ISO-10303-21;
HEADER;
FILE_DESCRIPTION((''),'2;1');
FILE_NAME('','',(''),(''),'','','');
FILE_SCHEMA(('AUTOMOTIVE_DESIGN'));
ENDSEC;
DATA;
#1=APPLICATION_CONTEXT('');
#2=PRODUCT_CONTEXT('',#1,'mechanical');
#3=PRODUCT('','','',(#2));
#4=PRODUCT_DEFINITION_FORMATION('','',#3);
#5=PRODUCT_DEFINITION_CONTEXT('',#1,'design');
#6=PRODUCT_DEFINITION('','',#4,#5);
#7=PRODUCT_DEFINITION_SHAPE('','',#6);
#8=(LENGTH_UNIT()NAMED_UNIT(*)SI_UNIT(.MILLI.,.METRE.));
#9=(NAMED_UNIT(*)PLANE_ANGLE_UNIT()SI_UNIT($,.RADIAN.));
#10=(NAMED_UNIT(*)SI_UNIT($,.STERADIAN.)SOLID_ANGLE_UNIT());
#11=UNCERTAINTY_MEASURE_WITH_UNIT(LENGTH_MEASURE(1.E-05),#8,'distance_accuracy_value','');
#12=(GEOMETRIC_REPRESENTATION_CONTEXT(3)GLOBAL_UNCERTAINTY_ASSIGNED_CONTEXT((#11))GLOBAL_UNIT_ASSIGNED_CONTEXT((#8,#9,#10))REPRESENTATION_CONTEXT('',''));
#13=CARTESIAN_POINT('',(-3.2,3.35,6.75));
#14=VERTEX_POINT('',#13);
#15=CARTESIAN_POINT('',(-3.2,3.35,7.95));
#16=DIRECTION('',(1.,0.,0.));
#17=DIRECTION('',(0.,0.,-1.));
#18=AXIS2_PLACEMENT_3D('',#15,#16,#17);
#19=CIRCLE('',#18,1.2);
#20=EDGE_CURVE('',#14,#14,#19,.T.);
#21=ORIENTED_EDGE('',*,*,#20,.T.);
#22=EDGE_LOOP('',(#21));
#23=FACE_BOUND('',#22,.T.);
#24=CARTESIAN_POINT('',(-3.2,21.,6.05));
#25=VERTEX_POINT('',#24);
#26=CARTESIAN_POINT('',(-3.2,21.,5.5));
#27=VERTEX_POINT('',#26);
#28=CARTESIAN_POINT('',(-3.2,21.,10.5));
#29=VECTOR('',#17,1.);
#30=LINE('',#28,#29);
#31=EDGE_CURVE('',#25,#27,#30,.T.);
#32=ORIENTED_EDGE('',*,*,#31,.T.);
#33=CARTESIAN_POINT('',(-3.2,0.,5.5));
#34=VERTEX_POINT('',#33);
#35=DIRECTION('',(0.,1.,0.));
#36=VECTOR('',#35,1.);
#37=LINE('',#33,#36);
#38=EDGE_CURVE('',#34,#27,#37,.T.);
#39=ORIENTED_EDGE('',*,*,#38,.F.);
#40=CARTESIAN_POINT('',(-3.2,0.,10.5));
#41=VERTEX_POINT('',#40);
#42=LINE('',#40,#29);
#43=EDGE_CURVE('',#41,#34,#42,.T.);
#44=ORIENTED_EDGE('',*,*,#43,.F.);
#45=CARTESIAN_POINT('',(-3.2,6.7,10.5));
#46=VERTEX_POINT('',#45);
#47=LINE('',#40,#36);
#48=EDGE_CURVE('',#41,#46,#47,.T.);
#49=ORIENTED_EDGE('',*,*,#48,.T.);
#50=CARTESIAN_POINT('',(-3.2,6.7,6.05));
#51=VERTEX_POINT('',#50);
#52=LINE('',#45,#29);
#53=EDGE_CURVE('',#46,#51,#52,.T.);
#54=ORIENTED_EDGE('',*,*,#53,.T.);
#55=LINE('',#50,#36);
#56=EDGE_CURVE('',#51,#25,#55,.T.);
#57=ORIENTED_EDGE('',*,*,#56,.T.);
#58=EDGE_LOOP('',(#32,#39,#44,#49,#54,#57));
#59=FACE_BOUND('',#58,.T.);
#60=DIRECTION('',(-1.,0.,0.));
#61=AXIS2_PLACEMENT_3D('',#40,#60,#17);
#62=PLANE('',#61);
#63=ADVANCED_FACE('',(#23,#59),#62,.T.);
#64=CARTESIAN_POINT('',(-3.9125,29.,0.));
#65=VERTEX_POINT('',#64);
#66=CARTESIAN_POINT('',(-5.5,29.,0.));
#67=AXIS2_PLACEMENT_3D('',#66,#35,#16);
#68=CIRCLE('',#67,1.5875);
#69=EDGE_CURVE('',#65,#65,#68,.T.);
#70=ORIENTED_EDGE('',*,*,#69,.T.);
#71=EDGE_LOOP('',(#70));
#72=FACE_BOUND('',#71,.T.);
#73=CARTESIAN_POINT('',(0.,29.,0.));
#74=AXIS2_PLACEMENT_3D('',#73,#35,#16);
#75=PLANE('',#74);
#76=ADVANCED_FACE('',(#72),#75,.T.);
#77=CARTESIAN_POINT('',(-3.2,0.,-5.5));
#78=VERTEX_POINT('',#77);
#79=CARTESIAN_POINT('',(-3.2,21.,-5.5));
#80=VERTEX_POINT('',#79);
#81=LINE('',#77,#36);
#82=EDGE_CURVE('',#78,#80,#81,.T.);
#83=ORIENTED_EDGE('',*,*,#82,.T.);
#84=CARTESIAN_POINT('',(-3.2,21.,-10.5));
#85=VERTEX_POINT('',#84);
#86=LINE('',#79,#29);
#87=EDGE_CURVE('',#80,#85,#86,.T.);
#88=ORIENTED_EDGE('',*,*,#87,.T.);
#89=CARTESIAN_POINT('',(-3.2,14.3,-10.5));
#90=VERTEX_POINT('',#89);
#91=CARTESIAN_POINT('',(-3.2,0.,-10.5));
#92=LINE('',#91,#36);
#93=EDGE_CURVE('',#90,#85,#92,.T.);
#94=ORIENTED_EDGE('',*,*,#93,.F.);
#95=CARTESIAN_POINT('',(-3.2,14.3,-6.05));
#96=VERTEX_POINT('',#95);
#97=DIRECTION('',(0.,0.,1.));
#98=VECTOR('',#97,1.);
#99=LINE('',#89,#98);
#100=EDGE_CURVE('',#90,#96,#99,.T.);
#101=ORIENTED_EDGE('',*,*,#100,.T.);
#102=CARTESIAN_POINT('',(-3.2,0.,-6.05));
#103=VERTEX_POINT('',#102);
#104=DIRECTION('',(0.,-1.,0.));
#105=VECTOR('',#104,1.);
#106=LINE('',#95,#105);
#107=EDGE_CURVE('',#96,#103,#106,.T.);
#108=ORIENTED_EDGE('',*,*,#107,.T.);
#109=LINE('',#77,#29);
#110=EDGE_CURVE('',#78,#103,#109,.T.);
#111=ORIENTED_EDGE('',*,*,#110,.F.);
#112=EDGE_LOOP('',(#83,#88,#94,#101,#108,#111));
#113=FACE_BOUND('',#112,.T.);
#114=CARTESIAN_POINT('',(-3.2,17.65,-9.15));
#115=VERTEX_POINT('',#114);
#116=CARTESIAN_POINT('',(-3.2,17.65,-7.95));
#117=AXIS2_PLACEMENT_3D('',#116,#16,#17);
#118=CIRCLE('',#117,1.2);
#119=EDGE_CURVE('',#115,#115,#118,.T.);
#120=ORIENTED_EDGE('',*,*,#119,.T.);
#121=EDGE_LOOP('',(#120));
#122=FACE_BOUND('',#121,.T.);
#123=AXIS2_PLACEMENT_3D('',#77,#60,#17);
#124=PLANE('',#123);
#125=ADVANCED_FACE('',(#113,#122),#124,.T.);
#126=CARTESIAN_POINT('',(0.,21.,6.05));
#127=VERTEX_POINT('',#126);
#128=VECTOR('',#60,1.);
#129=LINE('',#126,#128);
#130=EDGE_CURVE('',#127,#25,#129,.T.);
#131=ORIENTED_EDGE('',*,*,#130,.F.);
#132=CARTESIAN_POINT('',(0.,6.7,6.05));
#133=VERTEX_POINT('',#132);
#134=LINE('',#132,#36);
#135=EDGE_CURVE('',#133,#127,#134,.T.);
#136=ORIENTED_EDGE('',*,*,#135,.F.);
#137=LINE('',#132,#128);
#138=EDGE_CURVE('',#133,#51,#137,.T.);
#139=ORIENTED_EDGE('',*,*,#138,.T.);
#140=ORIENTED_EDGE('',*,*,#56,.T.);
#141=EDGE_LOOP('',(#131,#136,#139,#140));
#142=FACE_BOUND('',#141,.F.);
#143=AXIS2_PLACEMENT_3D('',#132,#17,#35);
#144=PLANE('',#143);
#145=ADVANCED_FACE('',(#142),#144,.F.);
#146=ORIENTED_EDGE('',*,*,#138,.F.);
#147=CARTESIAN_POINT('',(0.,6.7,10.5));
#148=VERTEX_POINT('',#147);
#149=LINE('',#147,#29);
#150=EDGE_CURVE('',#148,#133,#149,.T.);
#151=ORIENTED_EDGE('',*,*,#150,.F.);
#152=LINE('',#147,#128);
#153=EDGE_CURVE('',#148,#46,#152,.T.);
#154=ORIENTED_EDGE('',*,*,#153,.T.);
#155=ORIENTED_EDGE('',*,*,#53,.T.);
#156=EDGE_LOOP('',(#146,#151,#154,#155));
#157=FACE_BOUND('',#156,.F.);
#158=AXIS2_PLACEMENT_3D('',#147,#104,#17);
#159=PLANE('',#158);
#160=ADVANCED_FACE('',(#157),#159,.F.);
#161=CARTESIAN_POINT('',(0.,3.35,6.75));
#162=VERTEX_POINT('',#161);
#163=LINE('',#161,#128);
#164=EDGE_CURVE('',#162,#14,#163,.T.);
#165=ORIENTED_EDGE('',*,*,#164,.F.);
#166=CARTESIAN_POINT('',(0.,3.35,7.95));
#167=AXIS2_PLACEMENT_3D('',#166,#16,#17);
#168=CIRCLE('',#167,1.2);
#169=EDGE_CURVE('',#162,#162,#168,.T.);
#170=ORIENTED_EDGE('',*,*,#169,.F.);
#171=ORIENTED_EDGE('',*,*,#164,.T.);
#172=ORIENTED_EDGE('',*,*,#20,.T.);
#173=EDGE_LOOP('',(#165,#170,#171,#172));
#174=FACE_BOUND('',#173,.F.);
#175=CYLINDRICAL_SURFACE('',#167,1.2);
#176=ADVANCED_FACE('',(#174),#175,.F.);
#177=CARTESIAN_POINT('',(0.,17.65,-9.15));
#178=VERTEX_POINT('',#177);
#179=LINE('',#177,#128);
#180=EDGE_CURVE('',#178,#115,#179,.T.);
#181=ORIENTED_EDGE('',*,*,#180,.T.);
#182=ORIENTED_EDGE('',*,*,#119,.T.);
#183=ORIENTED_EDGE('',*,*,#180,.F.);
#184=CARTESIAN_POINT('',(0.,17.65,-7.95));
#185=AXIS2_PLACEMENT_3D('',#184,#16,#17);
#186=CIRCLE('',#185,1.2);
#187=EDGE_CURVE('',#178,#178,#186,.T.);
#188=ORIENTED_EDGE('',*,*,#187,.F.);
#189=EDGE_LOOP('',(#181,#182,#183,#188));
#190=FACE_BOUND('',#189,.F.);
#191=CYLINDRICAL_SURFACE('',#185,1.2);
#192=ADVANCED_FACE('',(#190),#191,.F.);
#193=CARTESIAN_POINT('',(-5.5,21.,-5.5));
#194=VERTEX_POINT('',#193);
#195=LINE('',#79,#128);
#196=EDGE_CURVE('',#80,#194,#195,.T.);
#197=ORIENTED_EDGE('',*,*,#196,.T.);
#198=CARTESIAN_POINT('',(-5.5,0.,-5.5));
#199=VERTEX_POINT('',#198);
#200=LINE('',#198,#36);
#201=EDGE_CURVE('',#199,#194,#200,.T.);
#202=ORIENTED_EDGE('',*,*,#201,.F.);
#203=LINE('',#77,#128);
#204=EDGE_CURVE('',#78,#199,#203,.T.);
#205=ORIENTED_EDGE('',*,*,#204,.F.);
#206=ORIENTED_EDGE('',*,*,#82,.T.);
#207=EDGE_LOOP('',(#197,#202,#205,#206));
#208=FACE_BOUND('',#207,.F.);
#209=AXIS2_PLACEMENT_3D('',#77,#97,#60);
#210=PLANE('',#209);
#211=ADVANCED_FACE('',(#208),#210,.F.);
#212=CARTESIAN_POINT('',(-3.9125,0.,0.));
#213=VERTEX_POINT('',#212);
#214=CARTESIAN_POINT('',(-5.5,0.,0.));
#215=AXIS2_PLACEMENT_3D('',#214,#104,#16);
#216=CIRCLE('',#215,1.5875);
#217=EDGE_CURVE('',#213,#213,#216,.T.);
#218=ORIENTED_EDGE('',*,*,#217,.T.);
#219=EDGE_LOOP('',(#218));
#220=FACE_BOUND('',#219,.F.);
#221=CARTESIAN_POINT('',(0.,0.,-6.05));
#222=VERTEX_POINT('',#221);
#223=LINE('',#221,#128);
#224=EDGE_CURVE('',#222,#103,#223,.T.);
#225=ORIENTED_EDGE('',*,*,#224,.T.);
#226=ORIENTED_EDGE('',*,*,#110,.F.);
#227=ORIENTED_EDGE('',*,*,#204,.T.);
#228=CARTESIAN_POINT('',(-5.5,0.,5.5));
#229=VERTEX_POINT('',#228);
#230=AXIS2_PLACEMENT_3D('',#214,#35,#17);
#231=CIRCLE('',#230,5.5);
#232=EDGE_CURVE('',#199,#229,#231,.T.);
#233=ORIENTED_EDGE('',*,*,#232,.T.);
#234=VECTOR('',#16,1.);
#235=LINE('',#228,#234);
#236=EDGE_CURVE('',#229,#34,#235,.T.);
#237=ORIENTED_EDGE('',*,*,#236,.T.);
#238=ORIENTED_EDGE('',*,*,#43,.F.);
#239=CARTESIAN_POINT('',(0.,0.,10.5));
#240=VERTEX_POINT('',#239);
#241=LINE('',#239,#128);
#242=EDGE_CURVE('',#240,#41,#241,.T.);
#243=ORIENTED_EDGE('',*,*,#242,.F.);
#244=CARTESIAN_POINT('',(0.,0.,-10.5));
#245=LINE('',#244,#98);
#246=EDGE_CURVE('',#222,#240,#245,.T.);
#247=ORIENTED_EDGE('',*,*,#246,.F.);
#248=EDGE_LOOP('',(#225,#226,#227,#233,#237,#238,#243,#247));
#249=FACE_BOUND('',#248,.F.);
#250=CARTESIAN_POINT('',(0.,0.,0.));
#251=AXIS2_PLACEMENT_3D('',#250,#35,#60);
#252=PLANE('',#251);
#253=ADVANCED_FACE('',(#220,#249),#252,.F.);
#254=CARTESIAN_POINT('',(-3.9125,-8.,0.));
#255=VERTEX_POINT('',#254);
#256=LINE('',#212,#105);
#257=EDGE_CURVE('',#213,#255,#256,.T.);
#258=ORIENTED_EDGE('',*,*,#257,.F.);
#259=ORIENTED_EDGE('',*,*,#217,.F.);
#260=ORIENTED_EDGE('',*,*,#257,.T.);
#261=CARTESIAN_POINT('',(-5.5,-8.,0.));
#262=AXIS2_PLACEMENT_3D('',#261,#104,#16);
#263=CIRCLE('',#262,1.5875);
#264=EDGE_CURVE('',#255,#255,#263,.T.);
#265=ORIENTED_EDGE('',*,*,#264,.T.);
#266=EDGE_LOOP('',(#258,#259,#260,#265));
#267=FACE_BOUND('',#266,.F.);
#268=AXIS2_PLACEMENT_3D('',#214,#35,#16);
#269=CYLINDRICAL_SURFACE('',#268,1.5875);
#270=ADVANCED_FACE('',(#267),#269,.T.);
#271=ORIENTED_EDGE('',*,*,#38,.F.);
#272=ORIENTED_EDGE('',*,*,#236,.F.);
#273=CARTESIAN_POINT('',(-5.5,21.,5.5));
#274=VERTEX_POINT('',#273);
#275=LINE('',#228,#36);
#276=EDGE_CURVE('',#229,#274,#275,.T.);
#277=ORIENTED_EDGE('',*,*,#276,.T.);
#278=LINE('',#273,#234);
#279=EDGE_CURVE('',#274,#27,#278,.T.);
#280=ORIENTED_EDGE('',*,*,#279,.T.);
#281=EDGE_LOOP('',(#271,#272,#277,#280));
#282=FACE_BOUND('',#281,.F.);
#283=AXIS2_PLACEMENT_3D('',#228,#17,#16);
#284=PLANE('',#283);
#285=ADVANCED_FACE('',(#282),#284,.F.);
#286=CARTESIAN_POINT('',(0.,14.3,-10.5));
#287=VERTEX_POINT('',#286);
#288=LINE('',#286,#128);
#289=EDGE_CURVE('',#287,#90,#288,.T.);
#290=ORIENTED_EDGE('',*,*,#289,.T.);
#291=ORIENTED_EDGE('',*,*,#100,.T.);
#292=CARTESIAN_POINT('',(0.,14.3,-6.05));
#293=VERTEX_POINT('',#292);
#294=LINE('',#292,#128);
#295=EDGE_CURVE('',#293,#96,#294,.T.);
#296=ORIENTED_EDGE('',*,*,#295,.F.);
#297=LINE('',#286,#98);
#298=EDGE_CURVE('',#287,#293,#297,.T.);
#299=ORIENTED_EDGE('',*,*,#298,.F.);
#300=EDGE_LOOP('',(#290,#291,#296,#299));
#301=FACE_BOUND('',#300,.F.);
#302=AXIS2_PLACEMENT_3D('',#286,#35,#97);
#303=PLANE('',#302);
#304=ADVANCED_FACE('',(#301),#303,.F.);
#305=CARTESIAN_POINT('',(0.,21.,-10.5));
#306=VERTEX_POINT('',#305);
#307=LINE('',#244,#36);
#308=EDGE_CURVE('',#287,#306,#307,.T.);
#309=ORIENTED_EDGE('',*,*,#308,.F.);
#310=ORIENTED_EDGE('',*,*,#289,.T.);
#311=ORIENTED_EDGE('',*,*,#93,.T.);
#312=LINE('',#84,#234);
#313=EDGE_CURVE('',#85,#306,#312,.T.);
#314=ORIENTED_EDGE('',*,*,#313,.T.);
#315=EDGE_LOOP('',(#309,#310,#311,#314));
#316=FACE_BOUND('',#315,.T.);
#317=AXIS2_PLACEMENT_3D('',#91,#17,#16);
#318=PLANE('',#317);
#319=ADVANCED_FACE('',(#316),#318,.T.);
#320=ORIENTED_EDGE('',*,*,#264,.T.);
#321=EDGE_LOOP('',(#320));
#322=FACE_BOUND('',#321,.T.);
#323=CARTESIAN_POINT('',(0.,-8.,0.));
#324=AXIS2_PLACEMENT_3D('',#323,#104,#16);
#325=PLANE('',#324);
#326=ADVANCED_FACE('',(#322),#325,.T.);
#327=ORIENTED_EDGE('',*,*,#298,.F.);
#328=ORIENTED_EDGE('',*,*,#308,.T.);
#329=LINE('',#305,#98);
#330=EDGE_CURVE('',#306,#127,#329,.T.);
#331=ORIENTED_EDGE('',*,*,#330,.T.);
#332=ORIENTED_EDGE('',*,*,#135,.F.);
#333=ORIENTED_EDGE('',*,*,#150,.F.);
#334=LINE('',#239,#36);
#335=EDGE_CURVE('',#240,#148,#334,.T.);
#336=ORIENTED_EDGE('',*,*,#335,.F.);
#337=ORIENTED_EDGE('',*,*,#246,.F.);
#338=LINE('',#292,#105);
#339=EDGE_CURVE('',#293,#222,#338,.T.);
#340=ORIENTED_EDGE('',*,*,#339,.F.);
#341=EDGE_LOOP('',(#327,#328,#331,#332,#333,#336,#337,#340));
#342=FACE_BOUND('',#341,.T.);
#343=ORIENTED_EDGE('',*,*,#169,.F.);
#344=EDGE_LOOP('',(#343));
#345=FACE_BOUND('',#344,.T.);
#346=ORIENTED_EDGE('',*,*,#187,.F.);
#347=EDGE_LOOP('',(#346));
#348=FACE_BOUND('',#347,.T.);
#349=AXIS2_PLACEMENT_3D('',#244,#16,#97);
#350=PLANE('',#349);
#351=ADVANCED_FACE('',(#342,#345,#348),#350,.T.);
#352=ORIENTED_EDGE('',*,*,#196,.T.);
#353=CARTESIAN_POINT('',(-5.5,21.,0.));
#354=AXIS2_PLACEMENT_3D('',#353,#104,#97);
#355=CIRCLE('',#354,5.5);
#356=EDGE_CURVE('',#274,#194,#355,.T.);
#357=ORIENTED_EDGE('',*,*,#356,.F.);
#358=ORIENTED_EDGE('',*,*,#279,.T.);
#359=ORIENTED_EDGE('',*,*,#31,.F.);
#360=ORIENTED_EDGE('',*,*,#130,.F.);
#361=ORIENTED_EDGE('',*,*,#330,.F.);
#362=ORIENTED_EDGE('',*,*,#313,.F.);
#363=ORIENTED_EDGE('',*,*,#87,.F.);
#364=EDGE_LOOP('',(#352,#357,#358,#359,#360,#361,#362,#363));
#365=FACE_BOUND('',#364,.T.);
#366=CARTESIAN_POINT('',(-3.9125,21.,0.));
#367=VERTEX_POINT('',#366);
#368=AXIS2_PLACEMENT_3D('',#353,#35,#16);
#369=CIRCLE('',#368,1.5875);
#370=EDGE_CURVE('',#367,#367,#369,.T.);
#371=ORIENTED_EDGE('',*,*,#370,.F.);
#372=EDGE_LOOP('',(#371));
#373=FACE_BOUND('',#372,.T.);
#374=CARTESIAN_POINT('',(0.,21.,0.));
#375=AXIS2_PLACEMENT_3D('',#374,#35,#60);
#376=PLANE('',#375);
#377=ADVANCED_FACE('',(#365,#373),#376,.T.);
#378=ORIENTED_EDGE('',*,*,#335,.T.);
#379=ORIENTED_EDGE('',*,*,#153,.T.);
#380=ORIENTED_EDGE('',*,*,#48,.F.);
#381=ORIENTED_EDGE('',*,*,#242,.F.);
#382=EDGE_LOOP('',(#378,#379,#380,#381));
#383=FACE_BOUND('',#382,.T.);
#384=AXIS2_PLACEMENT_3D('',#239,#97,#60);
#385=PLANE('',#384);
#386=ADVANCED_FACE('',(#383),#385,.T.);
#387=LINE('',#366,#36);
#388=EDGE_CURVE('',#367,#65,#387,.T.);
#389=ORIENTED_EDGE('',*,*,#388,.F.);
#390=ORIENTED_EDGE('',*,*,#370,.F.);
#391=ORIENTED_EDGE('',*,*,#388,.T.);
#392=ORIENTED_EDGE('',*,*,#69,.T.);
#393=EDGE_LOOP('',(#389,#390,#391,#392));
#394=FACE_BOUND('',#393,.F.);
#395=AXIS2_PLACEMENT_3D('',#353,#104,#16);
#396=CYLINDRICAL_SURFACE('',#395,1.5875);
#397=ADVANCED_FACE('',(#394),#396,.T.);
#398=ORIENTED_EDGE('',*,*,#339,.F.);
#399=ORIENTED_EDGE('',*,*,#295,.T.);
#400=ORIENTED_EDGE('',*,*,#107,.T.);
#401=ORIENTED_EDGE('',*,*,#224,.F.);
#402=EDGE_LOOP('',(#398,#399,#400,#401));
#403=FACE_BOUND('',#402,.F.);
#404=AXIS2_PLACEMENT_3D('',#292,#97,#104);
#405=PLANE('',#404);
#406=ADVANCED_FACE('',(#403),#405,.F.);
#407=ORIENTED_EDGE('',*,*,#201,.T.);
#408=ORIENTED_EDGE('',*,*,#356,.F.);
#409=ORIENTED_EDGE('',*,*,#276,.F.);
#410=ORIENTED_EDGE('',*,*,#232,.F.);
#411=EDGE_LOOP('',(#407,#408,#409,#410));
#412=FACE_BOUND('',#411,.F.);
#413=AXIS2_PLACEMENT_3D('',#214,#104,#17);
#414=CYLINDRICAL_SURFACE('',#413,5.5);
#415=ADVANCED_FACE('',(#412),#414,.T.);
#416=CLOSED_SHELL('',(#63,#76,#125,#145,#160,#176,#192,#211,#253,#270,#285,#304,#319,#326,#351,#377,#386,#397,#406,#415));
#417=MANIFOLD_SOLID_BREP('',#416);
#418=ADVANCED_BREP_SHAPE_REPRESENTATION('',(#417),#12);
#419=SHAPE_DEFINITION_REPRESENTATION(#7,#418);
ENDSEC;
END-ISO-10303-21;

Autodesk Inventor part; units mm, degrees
ref_plane "YZ Plane" through (0, 0, 0) normal (1, 0, 0) x (0, 1, 0)
ref_plane "XZ Plane" through (0, 0, 0) normal (0, 1, 0) x (-1, 0, 0)
ref_plane "XY Plane" through (0, 0, 0) normal (0, 0, 1) x (1, 0, 0)
sketch "Sketch1" plane through (0, 0, 0) normal (0, 1, 0) x (-1, 0, 0)
  arc A0 (5.5, -5.5) -> (11, 0) centre (5.5, 0) ccw
  line L0 (3.2, -5.5) -> (3.2, -10.5)
  line L1 (3.2, -10.5) -> (0, -10.5)
  line L2 (0, -10.5) -> (0, 10.5)
  line L3 (0, 10.5) -> (3.2, 10.5)
  line L4 (3.2, 10.5) -> (3.2, 5.5)
  arc A1 (11, 0) -> (5.5, 5.5) centre (5.5, 0) ccw
  line L5 (3.2, 5.5) -> (11, 0) construction
  line L6 (3.2, -5.5) -> (11, 0) construction
  line L7 (5.5, 5.5) -> (3.2, 5.5)
  line L8 (3.2, -5.5) -> (5.5, -5.5)
  point P0 (0, 0)
  point P1 (0, 0)
  dimension "d0" = 3.2
  dimension "d1" = 21
  dimension "d6" = 11
  dimension "d21" = 11
extrude "Extrusion1" add sketch "Sketch1" along normal blind 21
sketch "Sketch2" plane through (0, 0, 10.5) normal (1, 0, 0) x (0, 0, -1)
  circle A0 centre (18.45, 17.65) radius 1.2
  circle A1 centre (2.55, 3.35) radius 1.2
  line L0 (18.45, 17.65) -> (18.45, 3.35) construction
  line L1 (18.45, 3.35) -> (2.55, 3.35) construction
  line L2 (21, 0) -> (21, 21) projected
  line L3 (0, 0) -> (0, 21) projected
  line L4 (18.45, 17.65) -> (21, 17.65) construction
  line L5 (18.45, 17.65) -> (21, 21) construction
  line L6 (0, 0) -> (2.55, 3.35) construction
  line L7 (2.55, 3.35) -> (0, 3.35) construction
  line L8 (21, 14.3) -> (16.55, 14.3)
  line L9 (16.55, 14.3) -> (16.55, 0)
  line L10 (16.55, 0) -> (21, 0)
  line L11 (0, 6.7) -> (4.45, 6.7)
  line L12 (4.45, 6.7) -> (4.45, 21)
  line L13 (4.45, 21) -> (0, 21)
  line L14 (21, 14.3) -> (18.45, 17.65) construction
  point P0 (10.5, 0)
  dimension "d9" = 15.9
  dimension "d10" = 14.3
  dimension "d11" = 2.4
  dimension "d12" = 1.9
extrude "Extrusion2" cut sketch "Sketch2" against normal up to surface (3.2 mm away)
sketch "Sketch3" plane through (0, 0, 0) normal (0, -1, 0) x (1, 0, 0)
  arc A0 (-3.2, 5.5) -> (-3.2, -5.5) centre (-5.5, 0) ccw projected
  circle A1 centre (-5.5, 0) radius 1.5875
  point P0 (0, 0)
  dimension "d15" = 3.175
extrude "Extrusion3" add sketch "Sketch3" along normal blind 8
sketch "Sketch4" plane through (0, 21, 0) normal (0, 1, 0) x (1, 0, 0)
  arc A0 (-3.2, 5.5) -> (-3.2, -5.5) centre (-5.5, 0) ccw construction
  circle A1 centre (-5.5, 0) radius 1.5875
  point P0 (0, 0)
  dimension "d18" = 3.175
extrude "Extrusion4" add sketch "Sketch4" along normal blind 8
properties part number "Power Resistor - HSA25" material "Gold"
